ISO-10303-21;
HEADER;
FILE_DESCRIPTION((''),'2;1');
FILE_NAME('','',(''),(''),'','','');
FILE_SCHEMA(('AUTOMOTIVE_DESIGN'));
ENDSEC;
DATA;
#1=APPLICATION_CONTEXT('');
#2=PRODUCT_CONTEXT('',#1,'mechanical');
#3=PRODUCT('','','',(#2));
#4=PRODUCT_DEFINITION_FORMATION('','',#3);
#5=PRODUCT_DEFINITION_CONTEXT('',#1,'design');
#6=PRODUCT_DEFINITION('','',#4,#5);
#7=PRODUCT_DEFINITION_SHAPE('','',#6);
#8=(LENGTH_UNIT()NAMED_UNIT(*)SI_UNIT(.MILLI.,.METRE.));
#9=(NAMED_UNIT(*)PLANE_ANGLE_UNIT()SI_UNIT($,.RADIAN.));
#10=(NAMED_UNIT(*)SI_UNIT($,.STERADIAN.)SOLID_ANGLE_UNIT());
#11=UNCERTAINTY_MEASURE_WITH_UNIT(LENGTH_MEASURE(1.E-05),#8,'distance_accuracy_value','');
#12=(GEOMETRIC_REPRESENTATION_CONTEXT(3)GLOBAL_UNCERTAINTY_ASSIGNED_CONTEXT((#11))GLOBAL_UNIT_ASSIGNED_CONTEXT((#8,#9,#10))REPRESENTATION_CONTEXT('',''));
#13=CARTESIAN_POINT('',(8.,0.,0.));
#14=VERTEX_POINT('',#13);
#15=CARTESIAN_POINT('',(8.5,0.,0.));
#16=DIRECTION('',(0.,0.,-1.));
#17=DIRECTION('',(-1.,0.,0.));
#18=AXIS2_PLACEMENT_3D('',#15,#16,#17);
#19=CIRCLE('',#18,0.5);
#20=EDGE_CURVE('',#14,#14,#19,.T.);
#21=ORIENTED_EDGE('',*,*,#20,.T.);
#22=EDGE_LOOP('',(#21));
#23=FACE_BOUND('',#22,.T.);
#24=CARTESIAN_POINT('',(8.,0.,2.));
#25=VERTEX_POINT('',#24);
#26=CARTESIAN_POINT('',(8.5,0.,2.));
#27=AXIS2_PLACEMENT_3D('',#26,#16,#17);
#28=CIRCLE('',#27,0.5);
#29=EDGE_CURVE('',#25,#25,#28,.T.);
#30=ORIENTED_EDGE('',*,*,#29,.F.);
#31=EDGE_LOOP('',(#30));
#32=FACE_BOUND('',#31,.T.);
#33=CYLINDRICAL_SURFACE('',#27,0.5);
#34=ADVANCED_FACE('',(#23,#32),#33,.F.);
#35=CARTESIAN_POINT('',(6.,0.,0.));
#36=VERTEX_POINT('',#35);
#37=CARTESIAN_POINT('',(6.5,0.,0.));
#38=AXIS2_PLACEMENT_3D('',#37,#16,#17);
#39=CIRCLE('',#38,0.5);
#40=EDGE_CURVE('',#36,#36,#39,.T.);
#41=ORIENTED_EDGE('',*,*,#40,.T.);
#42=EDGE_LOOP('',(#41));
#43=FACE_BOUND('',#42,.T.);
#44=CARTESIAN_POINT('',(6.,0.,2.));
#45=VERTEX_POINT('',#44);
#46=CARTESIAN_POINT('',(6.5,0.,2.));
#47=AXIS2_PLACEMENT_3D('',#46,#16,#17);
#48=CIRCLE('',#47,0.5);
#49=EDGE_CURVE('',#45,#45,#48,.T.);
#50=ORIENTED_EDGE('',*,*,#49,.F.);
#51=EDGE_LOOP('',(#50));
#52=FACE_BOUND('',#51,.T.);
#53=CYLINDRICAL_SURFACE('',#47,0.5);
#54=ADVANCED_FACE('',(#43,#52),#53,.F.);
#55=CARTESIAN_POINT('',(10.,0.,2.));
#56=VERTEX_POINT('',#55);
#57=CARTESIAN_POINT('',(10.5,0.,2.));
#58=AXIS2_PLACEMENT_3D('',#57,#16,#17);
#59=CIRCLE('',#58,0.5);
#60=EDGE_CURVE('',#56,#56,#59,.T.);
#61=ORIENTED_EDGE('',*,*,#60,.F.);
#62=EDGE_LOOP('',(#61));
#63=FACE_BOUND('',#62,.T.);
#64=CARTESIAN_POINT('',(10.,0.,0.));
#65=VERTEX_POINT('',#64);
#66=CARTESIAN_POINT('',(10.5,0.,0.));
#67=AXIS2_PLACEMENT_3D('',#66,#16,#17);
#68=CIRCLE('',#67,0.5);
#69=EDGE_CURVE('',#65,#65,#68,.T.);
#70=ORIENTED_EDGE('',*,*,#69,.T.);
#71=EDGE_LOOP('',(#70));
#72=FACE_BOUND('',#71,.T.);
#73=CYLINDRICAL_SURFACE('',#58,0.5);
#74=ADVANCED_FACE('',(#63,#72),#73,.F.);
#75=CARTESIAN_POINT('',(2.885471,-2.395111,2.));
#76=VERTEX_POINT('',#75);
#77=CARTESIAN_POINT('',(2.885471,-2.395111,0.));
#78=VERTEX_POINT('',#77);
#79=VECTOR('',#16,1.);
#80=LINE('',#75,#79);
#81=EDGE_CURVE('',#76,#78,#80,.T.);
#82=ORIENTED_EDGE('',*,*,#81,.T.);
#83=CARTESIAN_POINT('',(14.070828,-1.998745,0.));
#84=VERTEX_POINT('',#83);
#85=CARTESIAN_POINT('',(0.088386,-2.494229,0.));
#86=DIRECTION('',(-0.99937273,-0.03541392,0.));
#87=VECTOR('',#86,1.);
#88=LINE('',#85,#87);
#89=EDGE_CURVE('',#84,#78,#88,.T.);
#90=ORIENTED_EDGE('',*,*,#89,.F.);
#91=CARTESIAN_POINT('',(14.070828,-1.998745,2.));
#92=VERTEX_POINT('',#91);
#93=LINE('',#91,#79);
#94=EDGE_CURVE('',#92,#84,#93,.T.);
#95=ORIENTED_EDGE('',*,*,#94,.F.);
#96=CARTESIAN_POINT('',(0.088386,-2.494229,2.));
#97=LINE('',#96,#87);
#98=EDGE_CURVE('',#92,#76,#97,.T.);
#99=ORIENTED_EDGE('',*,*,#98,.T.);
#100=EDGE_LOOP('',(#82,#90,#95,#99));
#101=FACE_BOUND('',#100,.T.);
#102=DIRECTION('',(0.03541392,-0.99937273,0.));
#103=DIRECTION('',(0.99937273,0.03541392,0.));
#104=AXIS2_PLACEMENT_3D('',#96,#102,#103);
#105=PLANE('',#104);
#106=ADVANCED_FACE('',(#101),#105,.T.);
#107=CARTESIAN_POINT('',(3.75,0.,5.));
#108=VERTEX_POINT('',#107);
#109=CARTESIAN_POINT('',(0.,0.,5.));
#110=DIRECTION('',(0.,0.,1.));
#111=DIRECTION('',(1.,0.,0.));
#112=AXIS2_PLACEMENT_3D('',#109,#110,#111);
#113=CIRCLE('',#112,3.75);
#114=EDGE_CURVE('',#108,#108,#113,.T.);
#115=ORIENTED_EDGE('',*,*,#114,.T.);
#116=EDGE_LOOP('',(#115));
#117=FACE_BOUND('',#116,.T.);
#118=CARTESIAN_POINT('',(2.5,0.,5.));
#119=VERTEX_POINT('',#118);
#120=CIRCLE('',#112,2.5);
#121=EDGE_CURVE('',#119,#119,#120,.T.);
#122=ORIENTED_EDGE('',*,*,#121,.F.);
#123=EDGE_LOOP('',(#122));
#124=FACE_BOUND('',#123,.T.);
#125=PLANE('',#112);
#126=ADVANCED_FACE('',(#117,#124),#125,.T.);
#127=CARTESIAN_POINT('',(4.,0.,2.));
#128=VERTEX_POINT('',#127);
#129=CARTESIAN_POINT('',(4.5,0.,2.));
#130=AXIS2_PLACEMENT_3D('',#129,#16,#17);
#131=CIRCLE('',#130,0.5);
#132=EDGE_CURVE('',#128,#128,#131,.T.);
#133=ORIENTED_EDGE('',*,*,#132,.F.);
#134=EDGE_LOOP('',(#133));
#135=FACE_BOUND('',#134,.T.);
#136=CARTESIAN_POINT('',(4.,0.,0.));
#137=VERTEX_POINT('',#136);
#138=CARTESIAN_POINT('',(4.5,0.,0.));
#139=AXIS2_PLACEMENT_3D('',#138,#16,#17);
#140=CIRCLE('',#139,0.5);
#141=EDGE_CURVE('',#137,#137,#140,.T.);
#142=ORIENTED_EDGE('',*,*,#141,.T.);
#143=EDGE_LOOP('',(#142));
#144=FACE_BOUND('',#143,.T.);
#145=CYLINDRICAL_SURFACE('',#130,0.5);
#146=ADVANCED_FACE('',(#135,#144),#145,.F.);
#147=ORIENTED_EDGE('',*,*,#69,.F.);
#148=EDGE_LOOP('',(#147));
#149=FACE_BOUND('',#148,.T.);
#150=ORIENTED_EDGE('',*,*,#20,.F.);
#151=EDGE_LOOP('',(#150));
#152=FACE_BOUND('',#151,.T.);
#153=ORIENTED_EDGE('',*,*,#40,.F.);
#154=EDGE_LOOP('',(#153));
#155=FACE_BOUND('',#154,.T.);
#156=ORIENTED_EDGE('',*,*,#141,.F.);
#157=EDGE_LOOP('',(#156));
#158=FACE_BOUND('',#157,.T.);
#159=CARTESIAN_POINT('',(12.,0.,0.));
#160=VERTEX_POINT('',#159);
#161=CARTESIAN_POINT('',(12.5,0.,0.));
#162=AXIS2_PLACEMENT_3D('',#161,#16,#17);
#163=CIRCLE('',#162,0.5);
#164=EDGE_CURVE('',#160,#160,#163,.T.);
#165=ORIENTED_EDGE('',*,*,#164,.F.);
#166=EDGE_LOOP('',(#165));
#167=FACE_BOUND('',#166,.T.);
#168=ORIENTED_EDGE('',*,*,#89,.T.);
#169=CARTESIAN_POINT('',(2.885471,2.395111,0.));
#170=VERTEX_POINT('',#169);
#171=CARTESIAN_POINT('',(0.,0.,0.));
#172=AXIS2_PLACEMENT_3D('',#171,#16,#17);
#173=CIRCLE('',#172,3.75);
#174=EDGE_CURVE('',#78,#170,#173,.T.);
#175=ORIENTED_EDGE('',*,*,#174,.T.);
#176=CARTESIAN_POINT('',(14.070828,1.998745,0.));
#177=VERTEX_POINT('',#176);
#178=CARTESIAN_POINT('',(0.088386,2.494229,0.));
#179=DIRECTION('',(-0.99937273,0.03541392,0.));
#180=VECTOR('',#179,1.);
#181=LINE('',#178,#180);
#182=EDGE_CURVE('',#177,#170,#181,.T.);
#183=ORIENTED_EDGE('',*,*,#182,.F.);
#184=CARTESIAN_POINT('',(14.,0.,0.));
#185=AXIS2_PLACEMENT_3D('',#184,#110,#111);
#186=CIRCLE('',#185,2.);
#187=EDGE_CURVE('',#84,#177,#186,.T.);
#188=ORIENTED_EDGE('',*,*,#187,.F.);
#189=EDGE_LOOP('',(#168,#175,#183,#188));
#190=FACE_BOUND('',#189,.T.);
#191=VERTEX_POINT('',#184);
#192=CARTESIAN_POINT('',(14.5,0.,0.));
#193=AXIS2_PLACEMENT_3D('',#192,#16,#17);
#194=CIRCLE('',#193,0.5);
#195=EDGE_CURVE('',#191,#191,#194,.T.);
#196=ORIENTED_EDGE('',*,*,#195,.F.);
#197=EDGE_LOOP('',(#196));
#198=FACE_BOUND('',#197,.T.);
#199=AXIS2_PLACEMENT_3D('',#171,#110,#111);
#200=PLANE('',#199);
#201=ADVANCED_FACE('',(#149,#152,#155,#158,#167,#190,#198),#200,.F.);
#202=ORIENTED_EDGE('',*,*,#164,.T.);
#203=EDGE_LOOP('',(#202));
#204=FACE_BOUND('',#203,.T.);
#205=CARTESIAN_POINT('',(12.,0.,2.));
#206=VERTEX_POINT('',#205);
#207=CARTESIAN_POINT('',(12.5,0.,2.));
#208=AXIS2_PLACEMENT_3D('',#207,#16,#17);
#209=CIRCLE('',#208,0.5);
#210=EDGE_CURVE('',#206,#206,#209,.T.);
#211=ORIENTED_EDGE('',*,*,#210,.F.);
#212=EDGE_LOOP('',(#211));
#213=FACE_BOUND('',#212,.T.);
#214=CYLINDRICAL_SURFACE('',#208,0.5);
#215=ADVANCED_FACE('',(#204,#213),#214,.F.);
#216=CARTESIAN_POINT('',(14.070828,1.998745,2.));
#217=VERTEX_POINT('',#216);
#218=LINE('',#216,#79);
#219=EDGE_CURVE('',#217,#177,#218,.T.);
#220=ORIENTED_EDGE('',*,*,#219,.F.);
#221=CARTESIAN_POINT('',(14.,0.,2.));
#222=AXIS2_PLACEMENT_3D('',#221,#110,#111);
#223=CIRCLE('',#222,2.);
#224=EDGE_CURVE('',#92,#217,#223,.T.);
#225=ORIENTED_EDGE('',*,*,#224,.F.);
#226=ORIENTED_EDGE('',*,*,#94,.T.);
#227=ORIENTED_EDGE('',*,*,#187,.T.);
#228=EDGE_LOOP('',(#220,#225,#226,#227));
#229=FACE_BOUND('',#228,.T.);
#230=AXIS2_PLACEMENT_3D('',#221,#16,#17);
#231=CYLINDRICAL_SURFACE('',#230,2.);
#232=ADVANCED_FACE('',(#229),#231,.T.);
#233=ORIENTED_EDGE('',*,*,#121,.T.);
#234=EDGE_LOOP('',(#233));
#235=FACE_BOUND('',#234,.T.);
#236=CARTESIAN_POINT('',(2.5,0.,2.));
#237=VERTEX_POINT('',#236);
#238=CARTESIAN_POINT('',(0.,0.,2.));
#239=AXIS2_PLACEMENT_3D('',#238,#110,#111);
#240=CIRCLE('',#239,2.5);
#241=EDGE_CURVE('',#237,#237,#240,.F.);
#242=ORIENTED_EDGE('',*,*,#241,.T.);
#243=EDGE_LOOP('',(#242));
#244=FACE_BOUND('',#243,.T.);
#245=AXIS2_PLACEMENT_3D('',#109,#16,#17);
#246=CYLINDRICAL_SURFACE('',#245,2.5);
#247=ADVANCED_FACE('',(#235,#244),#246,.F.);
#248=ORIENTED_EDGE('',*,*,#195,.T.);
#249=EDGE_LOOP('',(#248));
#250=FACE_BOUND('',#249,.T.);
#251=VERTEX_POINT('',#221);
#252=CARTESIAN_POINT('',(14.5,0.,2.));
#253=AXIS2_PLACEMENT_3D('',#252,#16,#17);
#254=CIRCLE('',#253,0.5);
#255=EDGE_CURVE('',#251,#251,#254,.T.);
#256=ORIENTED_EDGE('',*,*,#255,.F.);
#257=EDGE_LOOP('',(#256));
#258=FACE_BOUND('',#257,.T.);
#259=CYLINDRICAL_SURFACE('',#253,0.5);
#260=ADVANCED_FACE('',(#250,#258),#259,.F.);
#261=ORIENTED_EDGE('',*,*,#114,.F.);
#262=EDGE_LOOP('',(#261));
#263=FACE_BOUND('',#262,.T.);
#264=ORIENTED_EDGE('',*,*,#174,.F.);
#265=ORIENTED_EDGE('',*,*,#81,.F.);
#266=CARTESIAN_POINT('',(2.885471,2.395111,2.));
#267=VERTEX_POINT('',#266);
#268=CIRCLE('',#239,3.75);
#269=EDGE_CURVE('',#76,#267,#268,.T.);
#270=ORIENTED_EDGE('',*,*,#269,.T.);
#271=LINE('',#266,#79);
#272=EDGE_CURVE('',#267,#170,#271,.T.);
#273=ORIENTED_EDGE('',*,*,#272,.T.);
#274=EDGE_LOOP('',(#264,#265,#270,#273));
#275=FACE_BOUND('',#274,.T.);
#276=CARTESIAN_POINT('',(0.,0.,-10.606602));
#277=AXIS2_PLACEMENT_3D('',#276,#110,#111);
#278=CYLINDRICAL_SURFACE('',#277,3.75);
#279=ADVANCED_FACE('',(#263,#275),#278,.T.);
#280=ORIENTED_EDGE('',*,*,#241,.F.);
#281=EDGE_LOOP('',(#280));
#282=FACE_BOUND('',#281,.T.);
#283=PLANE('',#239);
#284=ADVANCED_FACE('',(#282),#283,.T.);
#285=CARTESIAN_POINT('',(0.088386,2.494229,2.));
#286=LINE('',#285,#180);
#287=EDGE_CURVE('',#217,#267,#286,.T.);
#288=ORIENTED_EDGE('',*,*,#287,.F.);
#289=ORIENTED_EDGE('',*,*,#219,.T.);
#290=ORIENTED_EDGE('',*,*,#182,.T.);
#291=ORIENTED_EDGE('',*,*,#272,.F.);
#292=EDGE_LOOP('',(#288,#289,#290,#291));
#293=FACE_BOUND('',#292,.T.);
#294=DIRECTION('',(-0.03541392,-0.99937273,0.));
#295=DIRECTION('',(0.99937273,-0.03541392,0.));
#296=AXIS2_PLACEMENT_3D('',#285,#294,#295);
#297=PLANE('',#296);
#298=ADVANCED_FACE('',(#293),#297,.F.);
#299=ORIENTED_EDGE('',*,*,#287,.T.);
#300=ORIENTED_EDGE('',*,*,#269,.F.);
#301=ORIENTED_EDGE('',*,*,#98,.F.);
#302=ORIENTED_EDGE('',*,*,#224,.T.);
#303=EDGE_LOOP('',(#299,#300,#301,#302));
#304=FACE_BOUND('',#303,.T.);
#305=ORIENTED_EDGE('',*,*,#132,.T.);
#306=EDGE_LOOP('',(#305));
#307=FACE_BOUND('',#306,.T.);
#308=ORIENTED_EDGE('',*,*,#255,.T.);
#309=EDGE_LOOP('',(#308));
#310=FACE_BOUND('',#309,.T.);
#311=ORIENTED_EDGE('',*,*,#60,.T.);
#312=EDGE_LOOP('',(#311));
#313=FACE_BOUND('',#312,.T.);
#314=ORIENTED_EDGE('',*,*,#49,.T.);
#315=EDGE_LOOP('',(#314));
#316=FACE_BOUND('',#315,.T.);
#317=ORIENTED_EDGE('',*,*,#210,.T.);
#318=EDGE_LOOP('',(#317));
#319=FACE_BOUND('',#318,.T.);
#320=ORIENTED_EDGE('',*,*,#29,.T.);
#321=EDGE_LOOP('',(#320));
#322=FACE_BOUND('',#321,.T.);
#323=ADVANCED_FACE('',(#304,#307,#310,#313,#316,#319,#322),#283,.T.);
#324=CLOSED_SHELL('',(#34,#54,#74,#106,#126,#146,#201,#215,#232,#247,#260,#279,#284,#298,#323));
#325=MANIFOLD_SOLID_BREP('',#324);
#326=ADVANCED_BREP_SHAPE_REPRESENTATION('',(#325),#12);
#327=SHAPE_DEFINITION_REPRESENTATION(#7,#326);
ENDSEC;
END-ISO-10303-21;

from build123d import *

# Parameters (mm, degrees)
EXTRUDE_3_DEPTH     = 2
EXTRUDE_3_2_DEPTH   = 2
SKETCH_2_R          = 3.75
SKETCH_2_R_2        = 2.5
EXTRUDE_5_DEPTH     = 3
SKETCH_4_R          = 0.5
CUT_EXTRUDE_1_DEPTH = 2
SKETCH_5_R          = 2.5
EXTRUDE_7_DEPTH     = 1
SKETCH_1_2_R        = 3.75
EXTRUDE_1_DEPTH     = 2


with BuildPart() as part:
    # Sketch 1 → Бобышка-Вытянуть3 (new body)
    with BuildSketch(Plane.XY):
        with BuildLine():
            Line((0, -2.497361401), (0.233236, -2.489096416))
            ThreePointArc((0.233236, -2.489096416), (2.5, 0), (0.233236, 2.489096416))
            Line((0.233236, 2.489096416), (0, 2.497361401))
            Line((0, 2.497361401), (-0.233236, 2.489096416))
            ThreePointArc((-0.233236, 2.489096416), (-2.5, 0), (-0.233236, -2.489096416))
            Line((-0.233236, -2.489096416), (0, -2.497361401))
        make_face()
    extrude(amount=EXTRUDE_3_DEPTH)



with BuildPart() as body_2:
    # Sketch 1 → Extrude 3 2 (new body)
    with BuildSketch(Plane.XY):
        with BuildLine():
            Line((14.07082784, 1.998745461), (2.88547071, 2.395111434))
            ThreePointArc((2.88547071, 2.395111434), (3.75, 0), (2.88547071, -2.395111434))
            Line((2.88547071, -2.395111434), (14.07082784, -1.998745461))
            ThreePointArc((14.07082784, -1.998745461), (16, 0), (14.07082784, 1.998745461))
        make_face()
    extrude(amount=EXTRUDE_3_2_DEPTH)

    # Эскиз4 → Вырез-Вытянуть1 (cut)
    with BuildSketch(Plane(origin=(0, 0, 0), x_dir=(-1, 0, 0), z_dir=(0, 0, -1))):
        with Locations((-14.5, 0)):
            Circle(SKETCH_4_R)
        with Locations((-4.5, 0)):
            Circle(SKETCH_4_R)
        with Locations((-6.5, 0)):
            Circle(SKETCH_4_R)
        with Locations((-8.5, 0)):
            Circle(SKETCH_4_R)
        with Locations((-10.5, 0)):
            Circle(SKETCH_4_R)
        with Locations((-12.5, 0)):
            Circle(SKETCH_4_R)
    extrude(amount=-CUT_EXTRUDE_1_DEPTH, mode=Mode.SUBTRACT)


with BuildPart() as body_3:
    # Эскиз2 → Бобышка-Вытянуть5 (new body)
    with BuildSketch(Plane.XY.offset(2)):
        Circle(SKETCH_2_R)
        Circle(SKETCH_2_R_2, mode=Mode.SUBTRACT)
    extrude(amount=EXTRUDE_5_DEPTH)


with BuildPart() as body_4:
    # Эскиз5 → Бобышка-Вытянуть7 (new body)
    with BuildSketch(Plane(origin=(0, 0, 0), x_dir=(-1, 0, 0), z_dir=(0, 0, -1))):
        Circle(SKETCH_5_R)
    extrude(amount=-EXTRUDE_7_DEPTH)


with BuildPart() as part_1:
    add(part.part)

    add(body_2.part)  # 凸台-拉伸1 merges body 2

    add(body_3.part)  # 凸台-拉伸1 merges body 3

    add(body_4.part)  # 凸台-拉伸1 merges body 4
    # Sketch 1 2 → 凸台-拉伸1 (add)
    with BuildSketch(Plane(origin=(0, 0, 2), x_dir=(-1, 0, 0), z_dir=(0, 0, -1))):
        with Locations(Location((0, 0, 0), (0, 0, 180))):
            Circle(SKETCH_1_2_R)
    extrude(amount=EXTRUDE_1_DEPTH)


solid = part_1.part
